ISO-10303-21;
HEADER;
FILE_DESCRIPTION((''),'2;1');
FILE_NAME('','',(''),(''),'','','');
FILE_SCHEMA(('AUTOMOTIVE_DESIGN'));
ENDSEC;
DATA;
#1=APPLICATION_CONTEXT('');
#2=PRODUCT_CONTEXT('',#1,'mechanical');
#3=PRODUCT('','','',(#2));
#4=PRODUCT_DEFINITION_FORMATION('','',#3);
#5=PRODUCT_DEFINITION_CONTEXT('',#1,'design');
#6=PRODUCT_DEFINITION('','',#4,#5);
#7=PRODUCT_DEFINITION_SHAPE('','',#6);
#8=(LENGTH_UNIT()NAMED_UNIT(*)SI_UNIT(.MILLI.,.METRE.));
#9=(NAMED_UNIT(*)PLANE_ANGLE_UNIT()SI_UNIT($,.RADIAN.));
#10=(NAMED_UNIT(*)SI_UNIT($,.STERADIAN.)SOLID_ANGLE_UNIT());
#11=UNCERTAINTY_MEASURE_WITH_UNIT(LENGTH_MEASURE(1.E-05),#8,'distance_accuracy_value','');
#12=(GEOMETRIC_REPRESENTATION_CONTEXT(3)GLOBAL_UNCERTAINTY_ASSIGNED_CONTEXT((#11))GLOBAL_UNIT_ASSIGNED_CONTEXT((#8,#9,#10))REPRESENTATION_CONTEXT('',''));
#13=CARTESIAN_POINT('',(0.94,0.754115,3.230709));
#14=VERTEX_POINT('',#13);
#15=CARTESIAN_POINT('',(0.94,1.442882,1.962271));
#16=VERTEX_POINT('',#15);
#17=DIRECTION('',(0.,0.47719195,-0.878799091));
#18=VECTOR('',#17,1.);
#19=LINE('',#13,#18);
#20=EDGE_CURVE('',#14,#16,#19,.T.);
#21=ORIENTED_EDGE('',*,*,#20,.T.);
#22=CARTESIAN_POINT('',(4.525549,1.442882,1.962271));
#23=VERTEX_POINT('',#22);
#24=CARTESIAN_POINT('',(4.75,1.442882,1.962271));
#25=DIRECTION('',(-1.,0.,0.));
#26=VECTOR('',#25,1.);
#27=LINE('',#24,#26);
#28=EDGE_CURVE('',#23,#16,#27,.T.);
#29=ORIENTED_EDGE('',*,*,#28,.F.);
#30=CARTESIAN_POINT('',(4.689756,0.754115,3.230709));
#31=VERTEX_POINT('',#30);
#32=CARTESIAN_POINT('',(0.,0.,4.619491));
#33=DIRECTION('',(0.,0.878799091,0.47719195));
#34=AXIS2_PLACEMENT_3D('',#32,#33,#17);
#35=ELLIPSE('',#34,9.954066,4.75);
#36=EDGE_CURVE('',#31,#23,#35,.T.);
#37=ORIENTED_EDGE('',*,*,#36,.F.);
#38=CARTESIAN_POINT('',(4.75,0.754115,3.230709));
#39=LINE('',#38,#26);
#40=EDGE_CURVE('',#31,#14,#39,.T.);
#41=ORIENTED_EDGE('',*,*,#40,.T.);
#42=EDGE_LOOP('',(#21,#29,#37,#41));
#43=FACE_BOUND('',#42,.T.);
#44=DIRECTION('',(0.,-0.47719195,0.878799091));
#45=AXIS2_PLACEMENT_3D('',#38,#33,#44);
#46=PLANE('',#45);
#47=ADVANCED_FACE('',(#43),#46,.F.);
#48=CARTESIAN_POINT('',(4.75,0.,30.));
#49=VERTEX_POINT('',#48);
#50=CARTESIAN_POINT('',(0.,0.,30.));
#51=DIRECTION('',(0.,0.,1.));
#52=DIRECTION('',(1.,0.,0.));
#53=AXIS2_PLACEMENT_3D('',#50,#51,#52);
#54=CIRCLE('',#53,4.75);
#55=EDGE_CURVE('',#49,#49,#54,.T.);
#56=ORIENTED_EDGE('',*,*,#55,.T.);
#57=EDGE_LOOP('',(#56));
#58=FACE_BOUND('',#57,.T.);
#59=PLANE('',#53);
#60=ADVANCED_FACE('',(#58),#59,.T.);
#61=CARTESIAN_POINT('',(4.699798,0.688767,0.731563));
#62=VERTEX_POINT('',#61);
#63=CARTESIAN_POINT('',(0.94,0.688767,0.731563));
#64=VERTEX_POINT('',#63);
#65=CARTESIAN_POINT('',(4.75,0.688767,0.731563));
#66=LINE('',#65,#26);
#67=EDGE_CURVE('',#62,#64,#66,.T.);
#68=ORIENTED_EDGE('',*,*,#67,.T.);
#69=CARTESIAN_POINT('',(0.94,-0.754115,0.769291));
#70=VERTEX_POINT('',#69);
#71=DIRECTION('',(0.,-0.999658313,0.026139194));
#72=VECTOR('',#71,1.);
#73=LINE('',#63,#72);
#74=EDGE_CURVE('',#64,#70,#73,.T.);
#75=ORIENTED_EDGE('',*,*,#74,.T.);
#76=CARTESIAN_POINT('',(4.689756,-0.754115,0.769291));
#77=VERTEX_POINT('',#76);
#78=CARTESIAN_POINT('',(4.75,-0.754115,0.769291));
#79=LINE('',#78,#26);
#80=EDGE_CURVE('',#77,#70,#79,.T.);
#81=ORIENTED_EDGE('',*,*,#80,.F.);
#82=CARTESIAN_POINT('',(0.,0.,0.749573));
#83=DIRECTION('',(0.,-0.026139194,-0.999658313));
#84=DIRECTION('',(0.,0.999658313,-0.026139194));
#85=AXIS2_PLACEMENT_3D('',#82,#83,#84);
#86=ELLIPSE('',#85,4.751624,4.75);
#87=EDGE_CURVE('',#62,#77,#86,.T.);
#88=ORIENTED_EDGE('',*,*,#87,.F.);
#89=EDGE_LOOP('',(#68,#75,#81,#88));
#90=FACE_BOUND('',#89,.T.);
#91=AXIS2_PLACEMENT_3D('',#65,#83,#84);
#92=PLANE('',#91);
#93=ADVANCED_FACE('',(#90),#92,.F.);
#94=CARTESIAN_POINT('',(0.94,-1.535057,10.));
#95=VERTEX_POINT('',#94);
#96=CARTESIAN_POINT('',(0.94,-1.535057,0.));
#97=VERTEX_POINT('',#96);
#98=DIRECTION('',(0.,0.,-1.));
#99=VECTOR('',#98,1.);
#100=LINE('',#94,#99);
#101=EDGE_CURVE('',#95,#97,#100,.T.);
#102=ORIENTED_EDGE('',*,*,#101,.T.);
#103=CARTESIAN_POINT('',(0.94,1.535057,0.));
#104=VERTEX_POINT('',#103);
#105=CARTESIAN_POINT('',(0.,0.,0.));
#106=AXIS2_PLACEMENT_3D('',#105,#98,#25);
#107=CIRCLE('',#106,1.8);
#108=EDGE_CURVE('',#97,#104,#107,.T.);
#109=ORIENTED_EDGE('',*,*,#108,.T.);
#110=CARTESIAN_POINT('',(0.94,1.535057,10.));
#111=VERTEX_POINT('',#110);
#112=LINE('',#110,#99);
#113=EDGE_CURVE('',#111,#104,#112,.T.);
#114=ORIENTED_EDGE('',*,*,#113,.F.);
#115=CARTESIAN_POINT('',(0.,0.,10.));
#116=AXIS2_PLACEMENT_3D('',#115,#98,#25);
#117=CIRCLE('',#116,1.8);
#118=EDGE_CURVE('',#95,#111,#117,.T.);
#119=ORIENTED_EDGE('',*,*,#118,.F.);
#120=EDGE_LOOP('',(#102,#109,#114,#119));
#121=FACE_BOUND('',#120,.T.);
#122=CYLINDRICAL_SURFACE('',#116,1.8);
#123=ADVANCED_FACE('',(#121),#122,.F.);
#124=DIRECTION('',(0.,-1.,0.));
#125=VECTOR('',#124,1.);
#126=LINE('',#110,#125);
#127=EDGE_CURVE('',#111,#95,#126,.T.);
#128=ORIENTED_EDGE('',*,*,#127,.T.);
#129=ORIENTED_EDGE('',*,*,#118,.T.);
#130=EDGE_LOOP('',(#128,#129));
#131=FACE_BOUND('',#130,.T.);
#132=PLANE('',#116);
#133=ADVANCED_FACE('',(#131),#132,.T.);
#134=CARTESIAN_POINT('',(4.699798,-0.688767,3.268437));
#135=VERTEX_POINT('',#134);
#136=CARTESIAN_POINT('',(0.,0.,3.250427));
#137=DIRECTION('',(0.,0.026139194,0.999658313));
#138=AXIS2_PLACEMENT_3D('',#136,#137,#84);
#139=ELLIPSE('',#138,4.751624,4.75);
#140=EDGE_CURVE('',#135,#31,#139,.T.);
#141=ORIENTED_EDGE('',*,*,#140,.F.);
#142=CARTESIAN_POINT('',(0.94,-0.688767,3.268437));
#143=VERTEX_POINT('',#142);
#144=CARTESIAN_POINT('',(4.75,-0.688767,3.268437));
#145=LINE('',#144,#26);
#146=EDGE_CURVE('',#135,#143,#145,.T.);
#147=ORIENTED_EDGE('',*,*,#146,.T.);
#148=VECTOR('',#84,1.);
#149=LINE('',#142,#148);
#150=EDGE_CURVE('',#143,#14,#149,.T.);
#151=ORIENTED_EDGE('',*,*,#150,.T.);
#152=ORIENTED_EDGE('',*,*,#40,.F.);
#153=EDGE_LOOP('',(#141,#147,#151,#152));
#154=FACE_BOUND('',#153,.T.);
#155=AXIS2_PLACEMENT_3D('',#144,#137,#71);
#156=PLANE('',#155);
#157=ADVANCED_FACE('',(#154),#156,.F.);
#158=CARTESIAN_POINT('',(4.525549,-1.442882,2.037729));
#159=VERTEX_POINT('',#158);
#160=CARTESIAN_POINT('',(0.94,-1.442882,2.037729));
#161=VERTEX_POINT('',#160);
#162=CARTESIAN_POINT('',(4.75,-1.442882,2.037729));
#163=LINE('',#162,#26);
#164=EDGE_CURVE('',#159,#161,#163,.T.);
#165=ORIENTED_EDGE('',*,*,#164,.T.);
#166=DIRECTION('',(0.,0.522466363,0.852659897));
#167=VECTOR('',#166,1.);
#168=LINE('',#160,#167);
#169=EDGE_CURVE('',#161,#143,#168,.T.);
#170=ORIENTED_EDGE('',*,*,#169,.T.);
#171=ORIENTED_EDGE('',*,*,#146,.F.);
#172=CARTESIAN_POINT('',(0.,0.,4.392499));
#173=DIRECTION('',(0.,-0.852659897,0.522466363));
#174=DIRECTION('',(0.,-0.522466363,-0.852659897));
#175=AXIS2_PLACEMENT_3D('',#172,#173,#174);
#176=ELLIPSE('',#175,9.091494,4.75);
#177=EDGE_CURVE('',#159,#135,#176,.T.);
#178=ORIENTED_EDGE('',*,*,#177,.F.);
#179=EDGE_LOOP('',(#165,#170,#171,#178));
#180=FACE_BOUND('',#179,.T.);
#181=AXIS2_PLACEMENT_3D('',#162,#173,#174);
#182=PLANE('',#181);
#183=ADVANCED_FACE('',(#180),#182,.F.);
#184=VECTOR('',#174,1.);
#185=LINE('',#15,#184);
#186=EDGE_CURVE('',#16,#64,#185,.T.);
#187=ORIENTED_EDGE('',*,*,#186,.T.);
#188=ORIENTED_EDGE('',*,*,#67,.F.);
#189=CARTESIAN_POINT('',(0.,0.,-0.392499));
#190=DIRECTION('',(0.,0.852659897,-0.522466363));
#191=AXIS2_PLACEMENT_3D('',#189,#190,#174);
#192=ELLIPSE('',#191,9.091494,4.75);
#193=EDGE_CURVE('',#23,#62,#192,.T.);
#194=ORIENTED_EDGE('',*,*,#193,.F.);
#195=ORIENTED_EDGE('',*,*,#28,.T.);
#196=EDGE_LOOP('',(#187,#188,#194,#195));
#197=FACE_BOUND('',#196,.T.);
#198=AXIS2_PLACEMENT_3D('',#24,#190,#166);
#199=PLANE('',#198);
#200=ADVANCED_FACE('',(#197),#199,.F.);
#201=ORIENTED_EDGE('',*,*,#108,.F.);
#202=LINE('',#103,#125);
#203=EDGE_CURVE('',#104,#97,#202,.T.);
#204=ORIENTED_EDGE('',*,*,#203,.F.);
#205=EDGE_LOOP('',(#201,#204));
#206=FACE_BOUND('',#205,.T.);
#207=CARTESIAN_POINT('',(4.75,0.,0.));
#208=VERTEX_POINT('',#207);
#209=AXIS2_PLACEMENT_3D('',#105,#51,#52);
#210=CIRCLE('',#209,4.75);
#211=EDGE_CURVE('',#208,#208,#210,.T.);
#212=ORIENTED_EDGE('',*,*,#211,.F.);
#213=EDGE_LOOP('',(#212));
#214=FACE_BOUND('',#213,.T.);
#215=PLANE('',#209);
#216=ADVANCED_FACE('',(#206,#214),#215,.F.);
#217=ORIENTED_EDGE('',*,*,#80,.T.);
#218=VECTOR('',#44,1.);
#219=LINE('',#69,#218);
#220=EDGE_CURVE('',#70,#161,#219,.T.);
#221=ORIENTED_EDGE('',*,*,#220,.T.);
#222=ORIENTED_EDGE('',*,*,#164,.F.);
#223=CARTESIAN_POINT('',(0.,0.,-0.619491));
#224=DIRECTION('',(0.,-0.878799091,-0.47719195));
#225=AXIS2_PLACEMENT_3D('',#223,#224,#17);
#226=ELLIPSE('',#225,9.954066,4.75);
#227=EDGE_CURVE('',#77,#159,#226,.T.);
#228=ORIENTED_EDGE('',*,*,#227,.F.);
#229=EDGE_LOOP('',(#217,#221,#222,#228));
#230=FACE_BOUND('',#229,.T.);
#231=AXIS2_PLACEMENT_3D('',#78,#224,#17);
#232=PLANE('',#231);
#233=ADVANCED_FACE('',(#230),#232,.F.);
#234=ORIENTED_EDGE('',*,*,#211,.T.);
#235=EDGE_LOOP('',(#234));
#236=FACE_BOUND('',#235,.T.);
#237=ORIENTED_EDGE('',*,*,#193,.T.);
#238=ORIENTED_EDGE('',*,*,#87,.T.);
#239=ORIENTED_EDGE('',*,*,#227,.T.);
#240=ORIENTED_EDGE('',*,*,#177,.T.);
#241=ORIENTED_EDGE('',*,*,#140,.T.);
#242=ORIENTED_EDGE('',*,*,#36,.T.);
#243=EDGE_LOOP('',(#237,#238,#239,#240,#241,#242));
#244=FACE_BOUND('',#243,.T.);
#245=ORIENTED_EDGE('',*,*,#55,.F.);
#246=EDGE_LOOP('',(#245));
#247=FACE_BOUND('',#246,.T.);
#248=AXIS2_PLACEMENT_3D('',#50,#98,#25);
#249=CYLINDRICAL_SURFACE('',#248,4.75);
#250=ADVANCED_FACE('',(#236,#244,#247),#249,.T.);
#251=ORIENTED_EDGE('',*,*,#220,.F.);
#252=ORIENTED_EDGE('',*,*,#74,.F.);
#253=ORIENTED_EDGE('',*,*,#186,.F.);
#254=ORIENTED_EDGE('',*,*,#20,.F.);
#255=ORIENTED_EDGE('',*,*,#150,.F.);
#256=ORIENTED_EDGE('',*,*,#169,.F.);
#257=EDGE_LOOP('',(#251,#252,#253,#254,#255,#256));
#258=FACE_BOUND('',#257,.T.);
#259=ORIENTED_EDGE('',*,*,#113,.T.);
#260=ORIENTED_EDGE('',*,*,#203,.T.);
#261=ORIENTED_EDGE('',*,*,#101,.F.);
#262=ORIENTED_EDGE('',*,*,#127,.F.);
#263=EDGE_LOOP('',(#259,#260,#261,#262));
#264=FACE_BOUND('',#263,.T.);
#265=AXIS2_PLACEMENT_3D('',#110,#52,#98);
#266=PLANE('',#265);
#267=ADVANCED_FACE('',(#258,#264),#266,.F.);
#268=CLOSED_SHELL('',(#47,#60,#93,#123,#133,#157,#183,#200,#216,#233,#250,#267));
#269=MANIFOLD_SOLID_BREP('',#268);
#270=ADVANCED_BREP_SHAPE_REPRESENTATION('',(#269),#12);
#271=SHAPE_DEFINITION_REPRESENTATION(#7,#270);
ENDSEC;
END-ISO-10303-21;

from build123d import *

# Parameters (mm, degrees)
SKETCH1_R           = 4.75
BOSS_EXTRUDE1_DEPTH = 30
CUT_EXTRUDE1_DEPTH  = 10
CUT_EXTRUDE2_DEPTH  = 31.902080836


with BuildPart() as part:
    # Sketch1 → Boss-Extrude1 (new body)
    with BuildSketch(Plane.XY):
        Circle(SKETCH1_R)
    extrude(amount=BOSS_EXTRUDE1_DEPTH)

    # Sketch2 → Cut-Extrude1 (cut)
    with BuildSketch(Plane(origin=(0, 0, 0), x_dir=(-1, 0, 0), z_dir=(0, 0, -1))):
        with BuildLine():
            Line((-0.94, 1.535057002), (-0.94, -1.535057002))
            ThreePointArc((-0.94, -1.535057002), (1.8, 0), (-0.94, 1.535057002))
        make_face()
    extrude(amount=-CUT_EXTRUDE1_DEPTH, mode=Mode.SUBTRACT)

    # Sketch3 → Cut-Extrude2 (cut, through all)
    with BuildSketch(Plane.ZY.offset(-0.94)):
        Polygon((3.230708553, 0.754115238), (1.962271323, 1.44288249), (0.73156277, 0.688767252), (0.769291447, -0.754115238), (2.037728677, -1.44288249), (3.26843723, -0.688767252), align=None)
    extrude(amount=-CUT_EXTRUDE2_DEPTH, mode=Mode.SUBTRACT)


solid = part.part
